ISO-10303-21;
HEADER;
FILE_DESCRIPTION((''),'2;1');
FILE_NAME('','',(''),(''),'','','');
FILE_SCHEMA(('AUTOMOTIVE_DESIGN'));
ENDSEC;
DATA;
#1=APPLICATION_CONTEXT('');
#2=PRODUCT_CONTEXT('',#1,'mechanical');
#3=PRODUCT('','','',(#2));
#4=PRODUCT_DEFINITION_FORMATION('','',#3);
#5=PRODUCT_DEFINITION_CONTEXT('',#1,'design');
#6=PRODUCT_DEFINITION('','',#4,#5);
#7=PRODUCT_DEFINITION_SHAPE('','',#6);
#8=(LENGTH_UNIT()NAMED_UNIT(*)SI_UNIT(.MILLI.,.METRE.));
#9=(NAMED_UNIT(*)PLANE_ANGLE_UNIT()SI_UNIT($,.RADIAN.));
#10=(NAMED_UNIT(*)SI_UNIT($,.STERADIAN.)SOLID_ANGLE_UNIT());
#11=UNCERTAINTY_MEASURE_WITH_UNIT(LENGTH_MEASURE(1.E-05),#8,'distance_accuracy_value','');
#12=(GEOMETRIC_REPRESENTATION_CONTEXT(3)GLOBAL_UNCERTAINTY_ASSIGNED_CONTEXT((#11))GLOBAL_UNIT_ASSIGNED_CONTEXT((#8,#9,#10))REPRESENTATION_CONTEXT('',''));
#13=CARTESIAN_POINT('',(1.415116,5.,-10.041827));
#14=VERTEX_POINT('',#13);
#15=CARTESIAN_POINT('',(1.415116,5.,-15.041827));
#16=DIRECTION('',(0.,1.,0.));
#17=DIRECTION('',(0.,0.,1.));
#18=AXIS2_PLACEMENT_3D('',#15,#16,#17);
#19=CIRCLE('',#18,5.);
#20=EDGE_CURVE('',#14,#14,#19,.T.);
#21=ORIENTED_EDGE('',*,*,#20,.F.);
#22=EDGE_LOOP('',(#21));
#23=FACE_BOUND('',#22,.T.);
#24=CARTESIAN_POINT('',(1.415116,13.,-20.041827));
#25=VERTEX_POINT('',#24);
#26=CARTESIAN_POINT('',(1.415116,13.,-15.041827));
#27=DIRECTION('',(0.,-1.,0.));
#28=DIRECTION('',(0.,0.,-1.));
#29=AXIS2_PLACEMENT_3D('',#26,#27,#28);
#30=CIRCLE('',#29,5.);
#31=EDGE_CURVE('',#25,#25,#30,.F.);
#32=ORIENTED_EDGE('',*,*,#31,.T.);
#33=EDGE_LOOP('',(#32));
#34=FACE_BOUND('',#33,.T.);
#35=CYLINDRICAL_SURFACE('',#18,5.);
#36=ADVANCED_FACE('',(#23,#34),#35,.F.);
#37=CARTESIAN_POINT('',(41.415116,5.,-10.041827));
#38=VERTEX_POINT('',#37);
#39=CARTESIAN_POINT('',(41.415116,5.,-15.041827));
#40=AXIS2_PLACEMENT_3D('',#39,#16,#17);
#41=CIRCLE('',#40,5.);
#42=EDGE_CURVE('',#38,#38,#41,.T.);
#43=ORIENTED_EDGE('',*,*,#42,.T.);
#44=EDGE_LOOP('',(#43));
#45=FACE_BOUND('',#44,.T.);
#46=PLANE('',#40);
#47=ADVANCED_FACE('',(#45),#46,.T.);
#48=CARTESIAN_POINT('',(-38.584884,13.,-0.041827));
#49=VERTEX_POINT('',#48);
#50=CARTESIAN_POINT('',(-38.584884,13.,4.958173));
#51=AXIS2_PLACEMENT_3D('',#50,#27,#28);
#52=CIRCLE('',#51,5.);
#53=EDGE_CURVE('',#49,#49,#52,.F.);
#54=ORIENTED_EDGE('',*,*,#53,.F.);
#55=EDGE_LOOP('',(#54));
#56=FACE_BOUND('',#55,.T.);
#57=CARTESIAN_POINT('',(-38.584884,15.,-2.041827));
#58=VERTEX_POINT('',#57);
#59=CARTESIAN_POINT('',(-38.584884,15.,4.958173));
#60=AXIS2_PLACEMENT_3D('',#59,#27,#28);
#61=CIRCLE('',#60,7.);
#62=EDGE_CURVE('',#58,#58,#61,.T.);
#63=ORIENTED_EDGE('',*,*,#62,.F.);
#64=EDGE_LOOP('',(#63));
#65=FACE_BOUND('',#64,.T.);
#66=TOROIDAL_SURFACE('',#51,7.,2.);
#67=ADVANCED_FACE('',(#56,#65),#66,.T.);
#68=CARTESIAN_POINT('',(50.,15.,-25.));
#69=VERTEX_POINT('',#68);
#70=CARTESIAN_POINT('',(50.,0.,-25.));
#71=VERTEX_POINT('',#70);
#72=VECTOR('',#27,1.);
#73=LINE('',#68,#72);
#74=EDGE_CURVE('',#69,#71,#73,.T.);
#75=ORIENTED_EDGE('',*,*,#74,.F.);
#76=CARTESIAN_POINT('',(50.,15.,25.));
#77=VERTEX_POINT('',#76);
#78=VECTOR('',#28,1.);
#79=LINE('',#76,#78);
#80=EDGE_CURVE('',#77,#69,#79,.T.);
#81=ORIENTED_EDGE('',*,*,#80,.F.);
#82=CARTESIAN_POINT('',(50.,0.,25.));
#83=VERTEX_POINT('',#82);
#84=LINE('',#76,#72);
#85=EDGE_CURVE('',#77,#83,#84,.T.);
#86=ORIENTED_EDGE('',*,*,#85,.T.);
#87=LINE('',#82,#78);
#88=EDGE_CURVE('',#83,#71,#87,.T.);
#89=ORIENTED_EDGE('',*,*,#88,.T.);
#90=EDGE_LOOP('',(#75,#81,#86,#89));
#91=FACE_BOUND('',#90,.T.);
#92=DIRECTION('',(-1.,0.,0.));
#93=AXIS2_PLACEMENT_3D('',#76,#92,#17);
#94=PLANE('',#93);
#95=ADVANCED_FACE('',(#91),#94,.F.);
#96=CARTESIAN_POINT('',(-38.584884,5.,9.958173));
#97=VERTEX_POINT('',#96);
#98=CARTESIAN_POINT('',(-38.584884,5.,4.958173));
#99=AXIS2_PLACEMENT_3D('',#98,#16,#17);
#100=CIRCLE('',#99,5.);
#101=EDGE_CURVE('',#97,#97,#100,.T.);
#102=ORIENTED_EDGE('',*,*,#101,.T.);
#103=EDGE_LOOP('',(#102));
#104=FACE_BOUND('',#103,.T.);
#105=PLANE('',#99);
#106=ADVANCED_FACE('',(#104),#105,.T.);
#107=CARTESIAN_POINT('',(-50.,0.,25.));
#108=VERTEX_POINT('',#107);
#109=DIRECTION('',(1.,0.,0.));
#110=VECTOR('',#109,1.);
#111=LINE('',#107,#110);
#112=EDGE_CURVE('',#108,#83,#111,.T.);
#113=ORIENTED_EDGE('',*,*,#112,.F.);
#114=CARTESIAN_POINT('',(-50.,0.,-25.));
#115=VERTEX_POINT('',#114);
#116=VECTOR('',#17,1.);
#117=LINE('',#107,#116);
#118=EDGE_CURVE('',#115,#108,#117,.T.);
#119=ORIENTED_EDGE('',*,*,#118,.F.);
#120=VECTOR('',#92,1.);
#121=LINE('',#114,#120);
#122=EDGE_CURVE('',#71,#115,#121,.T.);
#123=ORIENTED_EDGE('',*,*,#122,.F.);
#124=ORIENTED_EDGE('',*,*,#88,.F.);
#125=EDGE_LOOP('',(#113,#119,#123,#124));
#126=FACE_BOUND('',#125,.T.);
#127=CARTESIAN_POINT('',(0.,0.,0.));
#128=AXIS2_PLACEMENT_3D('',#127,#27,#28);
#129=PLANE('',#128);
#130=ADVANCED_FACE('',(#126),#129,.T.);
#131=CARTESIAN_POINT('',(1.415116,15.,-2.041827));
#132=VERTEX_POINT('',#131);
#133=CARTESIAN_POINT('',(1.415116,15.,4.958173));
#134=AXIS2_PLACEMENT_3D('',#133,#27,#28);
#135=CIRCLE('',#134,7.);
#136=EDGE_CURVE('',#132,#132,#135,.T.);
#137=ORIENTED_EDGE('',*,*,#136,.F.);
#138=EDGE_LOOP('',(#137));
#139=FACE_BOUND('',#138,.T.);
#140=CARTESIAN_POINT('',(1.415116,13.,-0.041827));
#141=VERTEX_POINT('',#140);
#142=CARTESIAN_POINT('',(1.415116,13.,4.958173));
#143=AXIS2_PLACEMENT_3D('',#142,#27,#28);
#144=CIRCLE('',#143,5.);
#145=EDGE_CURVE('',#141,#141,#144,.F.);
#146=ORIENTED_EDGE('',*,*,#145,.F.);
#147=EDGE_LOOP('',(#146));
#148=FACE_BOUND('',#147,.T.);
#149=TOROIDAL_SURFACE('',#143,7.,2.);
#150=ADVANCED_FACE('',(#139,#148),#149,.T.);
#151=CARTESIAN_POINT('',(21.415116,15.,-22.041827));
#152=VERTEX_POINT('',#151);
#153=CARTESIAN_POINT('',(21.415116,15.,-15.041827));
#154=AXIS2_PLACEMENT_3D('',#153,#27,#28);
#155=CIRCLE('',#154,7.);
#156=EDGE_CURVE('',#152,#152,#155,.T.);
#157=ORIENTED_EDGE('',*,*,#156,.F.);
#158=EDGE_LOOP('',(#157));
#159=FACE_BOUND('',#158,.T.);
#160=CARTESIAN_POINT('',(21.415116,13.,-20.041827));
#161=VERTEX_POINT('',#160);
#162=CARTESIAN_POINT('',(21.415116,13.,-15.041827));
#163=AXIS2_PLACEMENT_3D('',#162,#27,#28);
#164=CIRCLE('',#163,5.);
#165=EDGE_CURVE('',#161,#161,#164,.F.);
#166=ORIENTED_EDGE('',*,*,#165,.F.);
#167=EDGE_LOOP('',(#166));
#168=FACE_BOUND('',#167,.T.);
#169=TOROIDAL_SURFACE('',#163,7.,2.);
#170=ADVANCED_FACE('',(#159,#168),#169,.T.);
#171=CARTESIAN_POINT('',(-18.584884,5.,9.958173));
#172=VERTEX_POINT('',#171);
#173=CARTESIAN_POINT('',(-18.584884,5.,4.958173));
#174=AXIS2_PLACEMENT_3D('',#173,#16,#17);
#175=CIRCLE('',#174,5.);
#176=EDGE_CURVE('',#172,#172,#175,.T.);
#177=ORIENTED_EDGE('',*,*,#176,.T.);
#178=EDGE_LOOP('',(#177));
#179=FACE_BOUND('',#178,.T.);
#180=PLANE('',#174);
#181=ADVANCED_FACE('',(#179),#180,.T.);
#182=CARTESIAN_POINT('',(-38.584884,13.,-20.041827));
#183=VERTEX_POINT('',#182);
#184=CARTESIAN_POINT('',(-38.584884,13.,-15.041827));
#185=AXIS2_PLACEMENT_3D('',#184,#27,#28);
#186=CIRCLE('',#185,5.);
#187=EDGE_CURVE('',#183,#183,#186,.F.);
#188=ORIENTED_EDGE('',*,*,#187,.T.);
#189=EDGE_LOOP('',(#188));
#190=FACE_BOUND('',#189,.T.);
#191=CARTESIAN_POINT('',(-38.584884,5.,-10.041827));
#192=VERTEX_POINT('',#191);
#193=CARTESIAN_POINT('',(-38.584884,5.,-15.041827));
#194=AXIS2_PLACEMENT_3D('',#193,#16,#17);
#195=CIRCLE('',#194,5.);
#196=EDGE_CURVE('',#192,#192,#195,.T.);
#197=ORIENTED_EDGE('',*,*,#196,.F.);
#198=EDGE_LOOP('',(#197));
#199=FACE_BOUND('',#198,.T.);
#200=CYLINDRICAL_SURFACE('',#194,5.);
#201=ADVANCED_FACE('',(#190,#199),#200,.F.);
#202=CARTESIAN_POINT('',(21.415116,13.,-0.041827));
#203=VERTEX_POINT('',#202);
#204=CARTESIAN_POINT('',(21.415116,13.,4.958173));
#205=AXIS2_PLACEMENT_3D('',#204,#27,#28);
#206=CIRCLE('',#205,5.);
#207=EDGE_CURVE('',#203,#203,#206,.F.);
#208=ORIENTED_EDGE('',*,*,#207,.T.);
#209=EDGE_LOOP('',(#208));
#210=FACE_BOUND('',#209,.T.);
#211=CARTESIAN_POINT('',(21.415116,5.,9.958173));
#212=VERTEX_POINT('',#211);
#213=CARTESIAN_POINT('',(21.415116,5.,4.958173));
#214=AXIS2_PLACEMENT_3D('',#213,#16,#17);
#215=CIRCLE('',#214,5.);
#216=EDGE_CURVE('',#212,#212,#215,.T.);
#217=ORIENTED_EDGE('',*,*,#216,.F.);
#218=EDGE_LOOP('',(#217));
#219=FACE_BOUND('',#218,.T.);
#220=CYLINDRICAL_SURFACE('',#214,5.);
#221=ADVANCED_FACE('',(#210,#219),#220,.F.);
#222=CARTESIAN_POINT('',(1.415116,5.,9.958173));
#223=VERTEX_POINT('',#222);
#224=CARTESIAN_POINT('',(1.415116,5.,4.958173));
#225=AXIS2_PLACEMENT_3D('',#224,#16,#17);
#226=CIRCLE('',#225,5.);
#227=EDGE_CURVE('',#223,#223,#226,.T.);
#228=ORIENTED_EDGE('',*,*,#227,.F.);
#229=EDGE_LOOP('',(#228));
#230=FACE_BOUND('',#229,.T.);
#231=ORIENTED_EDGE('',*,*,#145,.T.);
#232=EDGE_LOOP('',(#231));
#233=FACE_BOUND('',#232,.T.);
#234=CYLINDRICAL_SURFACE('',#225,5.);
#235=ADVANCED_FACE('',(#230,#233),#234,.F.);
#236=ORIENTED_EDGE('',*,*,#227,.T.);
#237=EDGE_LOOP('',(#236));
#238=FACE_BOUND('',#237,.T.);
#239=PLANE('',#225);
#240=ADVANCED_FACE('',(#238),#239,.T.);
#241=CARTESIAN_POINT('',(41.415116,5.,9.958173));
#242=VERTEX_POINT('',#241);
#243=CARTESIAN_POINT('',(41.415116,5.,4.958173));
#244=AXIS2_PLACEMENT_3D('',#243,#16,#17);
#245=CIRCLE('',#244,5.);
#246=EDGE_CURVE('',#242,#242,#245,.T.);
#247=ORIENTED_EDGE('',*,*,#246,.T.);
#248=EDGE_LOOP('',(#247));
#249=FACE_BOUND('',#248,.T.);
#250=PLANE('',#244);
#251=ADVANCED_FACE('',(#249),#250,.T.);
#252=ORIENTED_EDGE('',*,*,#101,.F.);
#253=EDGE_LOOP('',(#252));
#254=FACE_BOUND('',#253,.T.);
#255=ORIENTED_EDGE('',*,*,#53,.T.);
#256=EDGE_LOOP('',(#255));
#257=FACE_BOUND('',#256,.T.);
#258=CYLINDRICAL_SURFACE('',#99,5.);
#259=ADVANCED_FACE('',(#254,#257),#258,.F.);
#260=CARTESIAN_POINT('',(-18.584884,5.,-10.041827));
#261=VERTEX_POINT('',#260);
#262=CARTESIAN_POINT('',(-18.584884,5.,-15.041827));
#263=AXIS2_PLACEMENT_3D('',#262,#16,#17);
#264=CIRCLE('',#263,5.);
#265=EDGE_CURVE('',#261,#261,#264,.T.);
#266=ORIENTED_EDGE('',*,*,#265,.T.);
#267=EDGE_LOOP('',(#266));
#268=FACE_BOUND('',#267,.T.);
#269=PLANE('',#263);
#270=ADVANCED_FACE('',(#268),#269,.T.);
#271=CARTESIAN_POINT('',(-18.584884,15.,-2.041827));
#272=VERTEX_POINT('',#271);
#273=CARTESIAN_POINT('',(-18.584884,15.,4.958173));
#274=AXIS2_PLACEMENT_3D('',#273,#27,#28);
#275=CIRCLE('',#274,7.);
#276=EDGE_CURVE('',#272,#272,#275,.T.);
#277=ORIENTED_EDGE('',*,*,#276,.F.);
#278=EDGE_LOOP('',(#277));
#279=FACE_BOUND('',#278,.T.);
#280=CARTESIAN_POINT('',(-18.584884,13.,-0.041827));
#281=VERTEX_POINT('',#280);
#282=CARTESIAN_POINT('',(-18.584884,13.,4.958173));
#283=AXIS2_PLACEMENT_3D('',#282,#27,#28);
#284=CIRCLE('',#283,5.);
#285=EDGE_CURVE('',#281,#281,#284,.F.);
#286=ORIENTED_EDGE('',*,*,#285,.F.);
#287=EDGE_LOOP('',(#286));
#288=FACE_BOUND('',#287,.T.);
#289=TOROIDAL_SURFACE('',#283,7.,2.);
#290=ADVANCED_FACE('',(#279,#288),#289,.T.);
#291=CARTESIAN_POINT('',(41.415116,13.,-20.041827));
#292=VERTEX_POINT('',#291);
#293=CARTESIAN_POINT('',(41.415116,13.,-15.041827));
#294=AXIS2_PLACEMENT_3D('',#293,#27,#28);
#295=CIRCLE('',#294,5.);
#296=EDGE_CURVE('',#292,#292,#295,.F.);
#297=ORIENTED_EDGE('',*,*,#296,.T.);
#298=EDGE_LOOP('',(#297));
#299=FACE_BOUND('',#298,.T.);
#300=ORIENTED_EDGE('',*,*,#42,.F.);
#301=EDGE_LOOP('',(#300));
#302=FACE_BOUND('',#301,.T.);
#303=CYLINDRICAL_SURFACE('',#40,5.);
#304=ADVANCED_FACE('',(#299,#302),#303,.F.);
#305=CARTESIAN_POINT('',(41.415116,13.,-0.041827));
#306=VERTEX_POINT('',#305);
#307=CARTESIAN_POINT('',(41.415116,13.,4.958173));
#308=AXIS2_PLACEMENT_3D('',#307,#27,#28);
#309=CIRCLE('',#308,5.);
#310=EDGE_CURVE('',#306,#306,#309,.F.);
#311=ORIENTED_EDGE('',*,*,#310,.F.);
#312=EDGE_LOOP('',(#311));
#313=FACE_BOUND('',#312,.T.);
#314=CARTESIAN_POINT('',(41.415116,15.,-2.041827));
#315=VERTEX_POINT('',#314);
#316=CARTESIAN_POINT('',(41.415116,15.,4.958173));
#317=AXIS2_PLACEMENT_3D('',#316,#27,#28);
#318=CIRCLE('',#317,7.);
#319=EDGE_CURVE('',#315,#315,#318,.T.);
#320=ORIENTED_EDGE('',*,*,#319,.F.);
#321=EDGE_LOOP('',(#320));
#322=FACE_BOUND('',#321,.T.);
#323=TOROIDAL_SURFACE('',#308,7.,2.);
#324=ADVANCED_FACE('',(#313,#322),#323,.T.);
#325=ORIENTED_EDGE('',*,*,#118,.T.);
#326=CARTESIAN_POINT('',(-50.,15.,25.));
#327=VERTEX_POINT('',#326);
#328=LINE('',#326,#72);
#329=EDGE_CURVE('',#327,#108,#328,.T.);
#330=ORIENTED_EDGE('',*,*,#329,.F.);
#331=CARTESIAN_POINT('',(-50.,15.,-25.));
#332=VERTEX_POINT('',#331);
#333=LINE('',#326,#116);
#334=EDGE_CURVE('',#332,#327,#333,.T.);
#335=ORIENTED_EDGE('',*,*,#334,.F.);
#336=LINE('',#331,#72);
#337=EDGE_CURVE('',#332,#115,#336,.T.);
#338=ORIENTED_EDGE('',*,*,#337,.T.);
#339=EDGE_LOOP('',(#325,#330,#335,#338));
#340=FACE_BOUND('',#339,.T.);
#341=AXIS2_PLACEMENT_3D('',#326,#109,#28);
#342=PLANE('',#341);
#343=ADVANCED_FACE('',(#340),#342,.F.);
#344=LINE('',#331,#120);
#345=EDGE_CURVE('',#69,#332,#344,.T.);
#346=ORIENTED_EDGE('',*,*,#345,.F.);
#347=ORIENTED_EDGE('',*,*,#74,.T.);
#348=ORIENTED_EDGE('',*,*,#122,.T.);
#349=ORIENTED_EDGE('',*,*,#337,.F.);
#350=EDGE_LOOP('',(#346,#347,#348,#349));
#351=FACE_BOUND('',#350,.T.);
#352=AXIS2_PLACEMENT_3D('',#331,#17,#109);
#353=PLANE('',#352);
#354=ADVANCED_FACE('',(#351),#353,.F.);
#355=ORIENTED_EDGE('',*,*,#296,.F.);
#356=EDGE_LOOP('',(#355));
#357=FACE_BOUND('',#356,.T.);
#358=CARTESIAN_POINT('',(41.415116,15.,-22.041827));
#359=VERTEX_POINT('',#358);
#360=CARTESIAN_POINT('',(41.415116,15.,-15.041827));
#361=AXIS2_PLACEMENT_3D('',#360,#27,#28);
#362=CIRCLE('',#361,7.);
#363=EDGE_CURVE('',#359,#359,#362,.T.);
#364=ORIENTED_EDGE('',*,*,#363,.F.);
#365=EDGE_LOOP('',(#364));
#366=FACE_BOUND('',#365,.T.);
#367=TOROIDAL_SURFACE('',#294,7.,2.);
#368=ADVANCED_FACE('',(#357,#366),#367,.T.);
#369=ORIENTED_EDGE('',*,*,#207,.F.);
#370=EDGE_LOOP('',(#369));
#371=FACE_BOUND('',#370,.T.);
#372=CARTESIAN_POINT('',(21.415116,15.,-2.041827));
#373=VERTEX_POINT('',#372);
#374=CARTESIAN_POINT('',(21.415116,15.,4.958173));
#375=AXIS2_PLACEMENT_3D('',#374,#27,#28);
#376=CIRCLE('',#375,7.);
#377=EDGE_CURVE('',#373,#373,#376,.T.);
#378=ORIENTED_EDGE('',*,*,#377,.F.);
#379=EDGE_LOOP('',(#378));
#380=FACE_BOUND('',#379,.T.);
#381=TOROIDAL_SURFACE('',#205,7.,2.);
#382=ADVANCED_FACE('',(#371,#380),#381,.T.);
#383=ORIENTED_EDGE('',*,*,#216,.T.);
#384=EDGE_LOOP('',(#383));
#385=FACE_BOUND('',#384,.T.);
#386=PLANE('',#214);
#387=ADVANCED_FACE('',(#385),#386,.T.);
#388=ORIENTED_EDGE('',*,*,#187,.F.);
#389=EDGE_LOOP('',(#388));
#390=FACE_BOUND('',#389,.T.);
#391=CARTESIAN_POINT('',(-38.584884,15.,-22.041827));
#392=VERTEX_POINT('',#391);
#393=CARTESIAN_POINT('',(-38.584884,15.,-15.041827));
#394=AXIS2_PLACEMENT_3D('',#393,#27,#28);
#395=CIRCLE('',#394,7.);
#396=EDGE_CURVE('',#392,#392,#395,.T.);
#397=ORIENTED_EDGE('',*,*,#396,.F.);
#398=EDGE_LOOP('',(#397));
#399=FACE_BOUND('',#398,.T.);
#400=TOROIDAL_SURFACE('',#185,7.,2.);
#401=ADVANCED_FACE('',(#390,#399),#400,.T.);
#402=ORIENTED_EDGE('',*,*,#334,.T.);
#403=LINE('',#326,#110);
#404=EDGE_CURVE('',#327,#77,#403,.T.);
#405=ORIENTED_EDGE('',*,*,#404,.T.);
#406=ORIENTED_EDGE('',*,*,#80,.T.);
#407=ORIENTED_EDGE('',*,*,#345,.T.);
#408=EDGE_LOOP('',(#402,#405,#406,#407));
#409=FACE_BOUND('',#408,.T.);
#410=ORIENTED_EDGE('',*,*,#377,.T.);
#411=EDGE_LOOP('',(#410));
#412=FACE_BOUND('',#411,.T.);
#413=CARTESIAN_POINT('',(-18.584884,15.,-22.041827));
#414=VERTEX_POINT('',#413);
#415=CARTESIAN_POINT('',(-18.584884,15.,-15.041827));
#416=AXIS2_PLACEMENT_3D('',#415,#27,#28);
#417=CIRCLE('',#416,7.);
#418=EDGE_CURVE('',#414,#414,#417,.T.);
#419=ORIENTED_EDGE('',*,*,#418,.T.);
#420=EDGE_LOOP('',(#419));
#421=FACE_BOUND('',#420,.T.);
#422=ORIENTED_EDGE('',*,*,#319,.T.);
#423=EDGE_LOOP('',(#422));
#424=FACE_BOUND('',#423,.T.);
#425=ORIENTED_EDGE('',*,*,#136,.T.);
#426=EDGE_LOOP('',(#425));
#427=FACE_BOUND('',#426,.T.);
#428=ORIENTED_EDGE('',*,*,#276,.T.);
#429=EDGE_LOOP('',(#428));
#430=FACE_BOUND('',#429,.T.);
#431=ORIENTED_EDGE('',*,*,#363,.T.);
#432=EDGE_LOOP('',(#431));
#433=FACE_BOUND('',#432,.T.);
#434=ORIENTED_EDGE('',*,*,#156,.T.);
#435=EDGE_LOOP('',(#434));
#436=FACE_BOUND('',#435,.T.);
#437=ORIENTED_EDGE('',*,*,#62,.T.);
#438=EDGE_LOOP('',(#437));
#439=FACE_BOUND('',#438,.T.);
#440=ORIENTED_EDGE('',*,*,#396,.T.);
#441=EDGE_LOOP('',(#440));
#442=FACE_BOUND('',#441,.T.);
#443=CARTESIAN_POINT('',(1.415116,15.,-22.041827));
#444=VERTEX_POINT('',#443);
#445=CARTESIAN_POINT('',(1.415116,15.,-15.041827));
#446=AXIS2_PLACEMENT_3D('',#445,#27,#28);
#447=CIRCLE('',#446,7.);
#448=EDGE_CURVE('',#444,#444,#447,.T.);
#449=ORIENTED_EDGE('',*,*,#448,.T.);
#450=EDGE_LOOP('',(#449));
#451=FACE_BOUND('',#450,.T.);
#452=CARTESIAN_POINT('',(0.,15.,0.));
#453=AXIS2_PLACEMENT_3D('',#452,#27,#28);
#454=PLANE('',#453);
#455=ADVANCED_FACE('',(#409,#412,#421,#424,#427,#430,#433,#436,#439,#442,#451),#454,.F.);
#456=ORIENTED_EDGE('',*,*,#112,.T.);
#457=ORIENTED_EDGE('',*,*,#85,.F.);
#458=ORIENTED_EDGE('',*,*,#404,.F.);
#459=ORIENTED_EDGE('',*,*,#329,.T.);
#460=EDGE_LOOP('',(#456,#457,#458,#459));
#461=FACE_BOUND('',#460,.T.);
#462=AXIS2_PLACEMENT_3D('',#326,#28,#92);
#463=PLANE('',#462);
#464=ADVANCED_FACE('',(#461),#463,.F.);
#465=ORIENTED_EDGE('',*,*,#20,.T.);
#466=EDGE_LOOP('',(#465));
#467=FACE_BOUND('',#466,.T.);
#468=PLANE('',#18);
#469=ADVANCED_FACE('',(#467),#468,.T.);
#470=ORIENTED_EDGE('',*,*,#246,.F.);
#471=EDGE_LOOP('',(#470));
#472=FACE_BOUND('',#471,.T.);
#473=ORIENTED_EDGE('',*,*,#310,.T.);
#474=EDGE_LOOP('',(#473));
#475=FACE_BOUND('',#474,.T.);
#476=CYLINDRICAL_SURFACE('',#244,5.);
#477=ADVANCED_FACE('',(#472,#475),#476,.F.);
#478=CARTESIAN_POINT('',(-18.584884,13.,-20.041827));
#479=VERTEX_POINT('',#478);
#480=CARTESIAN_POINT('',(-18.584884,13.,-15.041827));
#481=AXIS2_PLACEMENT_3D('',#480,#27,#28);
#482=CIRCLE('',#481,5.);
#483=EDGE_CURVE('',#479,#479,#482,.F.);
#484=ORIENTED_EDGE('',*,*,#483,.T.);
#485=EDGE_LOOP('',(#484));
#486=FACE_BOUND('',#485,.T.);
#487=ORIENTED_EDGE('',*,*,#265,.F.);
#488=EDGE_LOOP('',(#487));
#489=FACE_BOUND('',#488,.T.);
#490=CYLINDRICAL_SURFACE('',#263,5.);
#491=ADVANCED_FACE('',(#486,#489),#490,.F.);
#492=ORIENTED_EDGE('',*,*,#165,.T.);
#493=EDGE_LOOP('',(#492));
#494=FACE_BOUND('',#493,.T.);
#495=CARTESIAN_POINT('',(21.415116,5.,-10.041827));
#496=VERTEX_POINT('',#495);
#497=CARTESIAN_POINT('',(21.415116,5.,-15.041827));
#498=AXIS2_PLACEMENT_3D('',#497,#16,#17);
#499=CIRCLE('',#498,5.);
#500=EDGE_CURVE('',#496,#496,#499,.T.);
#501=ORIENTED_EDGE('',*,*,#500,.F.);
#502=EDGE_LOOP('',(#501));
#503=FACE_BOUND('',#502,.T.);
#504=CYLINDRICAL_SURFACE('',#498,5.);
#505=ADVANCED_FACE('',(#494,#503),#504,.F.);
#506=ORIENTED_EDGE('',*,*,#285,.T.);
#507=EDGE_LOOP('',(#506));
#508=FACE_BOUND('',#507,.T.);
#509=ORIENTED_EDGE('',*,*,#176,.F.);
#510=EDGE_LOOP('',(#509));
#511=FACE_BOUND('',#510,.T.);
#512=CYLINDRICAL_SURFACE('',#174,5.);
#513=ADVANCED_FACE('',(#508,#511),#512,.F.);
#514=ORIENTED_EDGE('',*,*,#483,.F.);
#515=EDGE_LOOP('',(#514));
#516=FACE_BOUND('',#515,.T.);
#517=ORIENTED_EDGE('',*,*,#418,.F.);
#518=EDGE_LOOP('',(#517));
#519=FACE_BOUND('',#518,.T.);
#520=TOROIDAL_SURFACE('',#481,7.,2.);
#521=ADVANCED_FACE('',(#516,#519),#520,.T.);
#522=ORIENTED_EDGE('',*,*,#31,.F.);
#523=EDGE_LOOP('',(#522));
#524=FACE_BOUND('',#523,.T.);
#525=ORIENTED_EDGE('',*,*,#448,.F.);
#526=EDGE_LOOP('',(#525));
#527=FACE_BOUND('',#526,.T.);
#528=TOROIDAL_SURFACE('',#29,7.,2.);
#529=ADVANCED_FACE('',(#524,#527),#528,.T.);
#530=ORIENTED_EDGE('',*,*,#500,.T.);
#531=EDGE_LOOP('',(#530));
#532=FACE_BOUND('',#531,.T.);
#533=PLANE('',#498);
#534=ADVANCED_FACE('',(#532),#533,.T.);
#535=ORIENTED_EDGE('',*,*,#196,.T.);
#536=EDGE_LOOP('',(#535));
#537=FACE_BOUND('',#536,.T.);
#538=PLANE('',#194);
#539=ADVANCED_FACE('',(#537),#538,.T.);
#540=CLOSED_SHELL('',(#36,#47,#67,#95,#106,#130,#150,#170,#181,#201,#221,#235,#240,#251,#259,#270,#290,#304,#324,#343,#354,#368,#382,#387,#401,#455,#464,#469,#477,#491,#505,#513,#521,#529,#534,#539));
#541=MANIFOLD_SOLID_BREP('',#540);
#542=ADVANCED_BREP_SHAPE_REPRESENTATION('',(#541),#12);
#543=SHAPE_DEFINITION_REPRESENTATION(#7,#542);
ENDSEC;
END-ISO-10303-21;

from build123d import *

# Parameters (mm, degrees)
SKETCH1_W           = 100
SKETCH1_H           = 50
BOSS_EXTRUDE1_DEPTH = 15
SKETCH2_R           = 5
CUT_EXTRUDE1_DEPTH  = 10
FILLET2_R           = 2


with BuildPart() as part:
    # Sketch1 → Boss-Extrude1 (new body)
    with BuildSketch(Plane(origin=(0, 0, 0), x_dir=(1, 0, 0), z_dir=(0, 1, 0))):
        Rectangle(SKETCH1_W, SKETCH1_H)
    extrude(amount=BOSS_EXTRUDE1_DEPTH)

    # Sketch2 → Cut-Extrude1 (cut)
    with BuildSketch(Plane(origin=(0, 15, 0), x_dir=(1, 0, 0), z_dir=(0, 1, 0))):
        with Locations(Location((-38.584884324, 15.041826829, 0), (0, 0, 270))):
            Circle(SKETCH2_R)
        with Locations(Location((-18.584884324, 15.041826829, 0), (0, 0, 270))):
            Circle(SKETCH2_R)
        with Locations(Location((1.415115676, 15.041826829, 0), (0, 0, 270))):
            Circle(SKETCH2_R)
        with Locations(Location((21.415115676, 15.041826829, 0), (0, 0, 270))):
            Circle(SKETCH2_R)
        with Locations(Location((41.415115676, 15.041826829, 0), (0, 0, 270))):
            Circle(SKETCH2_R)
        with Locations(Location((-18.584884324, -4.958173171, 0), (0, 0, 270))):
            Circle(SKETCH2_R)
        with Locations(Location((1.415115676, -4.958173171, 0), (0, 0, 270))):
            Circle(SKETCH2_R)
        with Locations(Location((21.415115676, -4.958173171, 0), (0, 0, 270))):
            Circle(SKETCH2_R)
        with Locations(Location((41.415115676, -4.958173171, 0), (0, 0, 270))):
            Circle(SKETCH2_R)
        with Locations(Location((-38.584884324, -4.958173171, 0), (0, 0, 270))):
            Circle(SKETCH2_R)
    extrude(amount=-CUT_EXTRUDE1_DEPTH, mode=Mode.SUBTRACT)

    # Fillet2
    fillet2_edges = [part.edges().sort_by_distance(p)[0] for p in [
        (-38.584884324, 15, -0.041826829),
        (41.415115676, 15, -0.041826829),
        (21.415115676, 15, -0.041826829),
        (1.415115676, 15, -0.041826829),
        (-18.584884324, 15, -0.041826829),
        (41.415115676, 15, -20.041826829),
        (21.415115676, 15, -20.041826829),
        (1.415115676, 15, -20.041826829),
        (-18.584884324, 15, -20.041826829),
        (-38.584884324, 15, -20.041826829),
    ]]
    fillet(fillet2_edges, radius=FILLET2_R)


solid = part.part
